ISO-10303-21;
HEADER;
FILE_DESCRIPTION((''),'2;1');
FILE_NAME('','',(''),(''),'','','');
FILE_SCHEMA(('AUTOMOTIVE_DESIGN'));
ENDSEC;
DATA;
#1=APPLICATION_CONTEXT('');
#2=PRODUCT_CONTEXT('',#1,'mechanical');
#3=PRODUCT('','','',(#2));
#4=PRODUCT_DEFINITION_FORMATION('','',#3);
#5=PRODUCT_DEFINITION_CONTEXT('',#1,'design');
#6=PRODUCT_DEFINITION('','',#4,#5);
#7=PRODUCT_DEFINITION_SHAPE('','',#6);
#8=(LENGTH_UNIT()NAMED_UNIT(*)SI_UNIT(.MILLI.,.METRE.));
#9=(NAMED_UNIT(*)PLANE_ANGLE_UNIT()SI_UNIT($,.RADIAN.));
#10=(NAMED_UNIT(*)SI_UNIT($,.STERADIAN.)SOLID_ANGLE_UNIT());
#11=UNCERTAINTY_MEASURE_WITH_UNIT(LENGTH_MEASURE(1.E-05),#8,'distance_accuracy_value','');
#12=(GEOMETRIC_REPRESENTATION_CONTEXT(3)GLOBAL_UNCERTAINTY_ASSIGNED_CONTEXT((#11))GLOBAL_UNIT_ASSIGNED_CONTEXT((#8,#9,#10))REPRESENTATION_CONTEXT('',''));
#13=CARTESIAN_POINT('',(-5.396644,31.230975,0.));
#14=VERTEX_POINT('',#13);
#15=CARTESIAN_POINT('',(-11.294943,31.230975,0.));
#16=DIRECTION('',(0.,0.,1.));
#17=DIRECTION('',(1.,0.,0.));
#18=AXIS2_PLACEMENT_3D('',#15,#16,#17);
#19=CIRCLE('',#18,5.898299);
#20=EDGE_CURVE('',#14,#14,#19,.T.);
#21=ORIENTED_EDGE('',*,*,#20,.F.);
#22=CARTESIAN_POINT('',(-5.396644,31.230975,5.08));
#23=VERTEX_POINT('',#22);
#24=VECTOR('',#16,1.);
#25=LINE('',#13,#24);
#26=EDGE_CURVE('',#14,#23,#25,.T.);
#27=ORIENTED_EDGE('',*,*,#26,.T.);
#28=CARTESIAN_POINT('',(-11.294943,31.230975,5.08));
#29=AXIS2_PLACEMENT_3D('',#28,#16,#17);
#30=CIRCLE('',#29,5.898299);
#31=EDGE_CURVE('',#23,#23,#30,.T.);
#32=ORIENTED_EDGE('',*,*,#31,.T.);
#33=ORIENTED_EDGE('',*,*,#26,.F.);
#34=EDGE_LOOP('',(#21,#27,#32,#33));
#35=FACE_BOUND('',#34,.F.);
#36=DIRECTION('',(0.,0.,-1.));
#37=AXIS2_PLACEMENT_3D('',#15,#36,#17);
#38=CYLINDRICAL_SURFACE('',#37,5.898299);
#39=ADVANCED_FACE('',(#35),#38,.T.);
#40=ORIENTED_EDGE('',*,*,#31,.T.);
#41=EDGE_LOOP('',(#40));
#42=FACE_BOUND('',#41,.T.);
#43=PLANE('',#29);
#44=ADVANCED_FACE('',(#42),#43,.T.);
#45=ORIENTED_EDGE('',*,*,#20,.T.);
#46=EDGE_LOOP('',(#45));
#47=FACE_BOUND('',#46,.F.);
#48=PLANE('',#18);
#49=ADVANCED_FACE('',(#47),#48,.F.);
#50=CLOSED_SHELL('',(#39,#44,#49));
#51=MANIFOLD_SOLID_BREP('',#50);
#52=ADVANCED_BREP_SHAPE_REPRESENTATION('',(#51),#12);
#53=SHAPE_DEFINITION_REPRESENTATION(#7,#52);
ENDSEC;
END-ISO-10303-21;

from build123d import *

# Parameters (mm, degrees)
F0_R     = 5.898299
F0_W     = 3.661104
F0_H     = 3.340356
F1_DEPTH = 5.08


with BuildPart() as f1:
    # F0 (on Top) → F1 (new body)
    with BuildSketch(Plane.XY):
        with Locations((-11.294943, 31.230975)):
            Circle(F0_R)
        Polygon((-14.956047, 31.230975), (-14.956047, 34.571331), (-11.294943, 34.571331), (-7.499151, 34.571331), (-7.499151, 27.435344), (-14.956047, 27.435344), align=None, mode=Mode.SUBTRACT)
        with Locations((-13.125495, 32.901153)):
            Rectangle(F0_W, F0_H)
        Polygon((-7.499151, 34.571331), (-11.294943, 34.571331), (-11.294943, 31.230975), (-14.956047, 31.230975), (-14.956047, 27.435344), (-7.499151, 27.435344), align=None)
    extrude(amount=F1_DEPTH)


solid = f1.part
